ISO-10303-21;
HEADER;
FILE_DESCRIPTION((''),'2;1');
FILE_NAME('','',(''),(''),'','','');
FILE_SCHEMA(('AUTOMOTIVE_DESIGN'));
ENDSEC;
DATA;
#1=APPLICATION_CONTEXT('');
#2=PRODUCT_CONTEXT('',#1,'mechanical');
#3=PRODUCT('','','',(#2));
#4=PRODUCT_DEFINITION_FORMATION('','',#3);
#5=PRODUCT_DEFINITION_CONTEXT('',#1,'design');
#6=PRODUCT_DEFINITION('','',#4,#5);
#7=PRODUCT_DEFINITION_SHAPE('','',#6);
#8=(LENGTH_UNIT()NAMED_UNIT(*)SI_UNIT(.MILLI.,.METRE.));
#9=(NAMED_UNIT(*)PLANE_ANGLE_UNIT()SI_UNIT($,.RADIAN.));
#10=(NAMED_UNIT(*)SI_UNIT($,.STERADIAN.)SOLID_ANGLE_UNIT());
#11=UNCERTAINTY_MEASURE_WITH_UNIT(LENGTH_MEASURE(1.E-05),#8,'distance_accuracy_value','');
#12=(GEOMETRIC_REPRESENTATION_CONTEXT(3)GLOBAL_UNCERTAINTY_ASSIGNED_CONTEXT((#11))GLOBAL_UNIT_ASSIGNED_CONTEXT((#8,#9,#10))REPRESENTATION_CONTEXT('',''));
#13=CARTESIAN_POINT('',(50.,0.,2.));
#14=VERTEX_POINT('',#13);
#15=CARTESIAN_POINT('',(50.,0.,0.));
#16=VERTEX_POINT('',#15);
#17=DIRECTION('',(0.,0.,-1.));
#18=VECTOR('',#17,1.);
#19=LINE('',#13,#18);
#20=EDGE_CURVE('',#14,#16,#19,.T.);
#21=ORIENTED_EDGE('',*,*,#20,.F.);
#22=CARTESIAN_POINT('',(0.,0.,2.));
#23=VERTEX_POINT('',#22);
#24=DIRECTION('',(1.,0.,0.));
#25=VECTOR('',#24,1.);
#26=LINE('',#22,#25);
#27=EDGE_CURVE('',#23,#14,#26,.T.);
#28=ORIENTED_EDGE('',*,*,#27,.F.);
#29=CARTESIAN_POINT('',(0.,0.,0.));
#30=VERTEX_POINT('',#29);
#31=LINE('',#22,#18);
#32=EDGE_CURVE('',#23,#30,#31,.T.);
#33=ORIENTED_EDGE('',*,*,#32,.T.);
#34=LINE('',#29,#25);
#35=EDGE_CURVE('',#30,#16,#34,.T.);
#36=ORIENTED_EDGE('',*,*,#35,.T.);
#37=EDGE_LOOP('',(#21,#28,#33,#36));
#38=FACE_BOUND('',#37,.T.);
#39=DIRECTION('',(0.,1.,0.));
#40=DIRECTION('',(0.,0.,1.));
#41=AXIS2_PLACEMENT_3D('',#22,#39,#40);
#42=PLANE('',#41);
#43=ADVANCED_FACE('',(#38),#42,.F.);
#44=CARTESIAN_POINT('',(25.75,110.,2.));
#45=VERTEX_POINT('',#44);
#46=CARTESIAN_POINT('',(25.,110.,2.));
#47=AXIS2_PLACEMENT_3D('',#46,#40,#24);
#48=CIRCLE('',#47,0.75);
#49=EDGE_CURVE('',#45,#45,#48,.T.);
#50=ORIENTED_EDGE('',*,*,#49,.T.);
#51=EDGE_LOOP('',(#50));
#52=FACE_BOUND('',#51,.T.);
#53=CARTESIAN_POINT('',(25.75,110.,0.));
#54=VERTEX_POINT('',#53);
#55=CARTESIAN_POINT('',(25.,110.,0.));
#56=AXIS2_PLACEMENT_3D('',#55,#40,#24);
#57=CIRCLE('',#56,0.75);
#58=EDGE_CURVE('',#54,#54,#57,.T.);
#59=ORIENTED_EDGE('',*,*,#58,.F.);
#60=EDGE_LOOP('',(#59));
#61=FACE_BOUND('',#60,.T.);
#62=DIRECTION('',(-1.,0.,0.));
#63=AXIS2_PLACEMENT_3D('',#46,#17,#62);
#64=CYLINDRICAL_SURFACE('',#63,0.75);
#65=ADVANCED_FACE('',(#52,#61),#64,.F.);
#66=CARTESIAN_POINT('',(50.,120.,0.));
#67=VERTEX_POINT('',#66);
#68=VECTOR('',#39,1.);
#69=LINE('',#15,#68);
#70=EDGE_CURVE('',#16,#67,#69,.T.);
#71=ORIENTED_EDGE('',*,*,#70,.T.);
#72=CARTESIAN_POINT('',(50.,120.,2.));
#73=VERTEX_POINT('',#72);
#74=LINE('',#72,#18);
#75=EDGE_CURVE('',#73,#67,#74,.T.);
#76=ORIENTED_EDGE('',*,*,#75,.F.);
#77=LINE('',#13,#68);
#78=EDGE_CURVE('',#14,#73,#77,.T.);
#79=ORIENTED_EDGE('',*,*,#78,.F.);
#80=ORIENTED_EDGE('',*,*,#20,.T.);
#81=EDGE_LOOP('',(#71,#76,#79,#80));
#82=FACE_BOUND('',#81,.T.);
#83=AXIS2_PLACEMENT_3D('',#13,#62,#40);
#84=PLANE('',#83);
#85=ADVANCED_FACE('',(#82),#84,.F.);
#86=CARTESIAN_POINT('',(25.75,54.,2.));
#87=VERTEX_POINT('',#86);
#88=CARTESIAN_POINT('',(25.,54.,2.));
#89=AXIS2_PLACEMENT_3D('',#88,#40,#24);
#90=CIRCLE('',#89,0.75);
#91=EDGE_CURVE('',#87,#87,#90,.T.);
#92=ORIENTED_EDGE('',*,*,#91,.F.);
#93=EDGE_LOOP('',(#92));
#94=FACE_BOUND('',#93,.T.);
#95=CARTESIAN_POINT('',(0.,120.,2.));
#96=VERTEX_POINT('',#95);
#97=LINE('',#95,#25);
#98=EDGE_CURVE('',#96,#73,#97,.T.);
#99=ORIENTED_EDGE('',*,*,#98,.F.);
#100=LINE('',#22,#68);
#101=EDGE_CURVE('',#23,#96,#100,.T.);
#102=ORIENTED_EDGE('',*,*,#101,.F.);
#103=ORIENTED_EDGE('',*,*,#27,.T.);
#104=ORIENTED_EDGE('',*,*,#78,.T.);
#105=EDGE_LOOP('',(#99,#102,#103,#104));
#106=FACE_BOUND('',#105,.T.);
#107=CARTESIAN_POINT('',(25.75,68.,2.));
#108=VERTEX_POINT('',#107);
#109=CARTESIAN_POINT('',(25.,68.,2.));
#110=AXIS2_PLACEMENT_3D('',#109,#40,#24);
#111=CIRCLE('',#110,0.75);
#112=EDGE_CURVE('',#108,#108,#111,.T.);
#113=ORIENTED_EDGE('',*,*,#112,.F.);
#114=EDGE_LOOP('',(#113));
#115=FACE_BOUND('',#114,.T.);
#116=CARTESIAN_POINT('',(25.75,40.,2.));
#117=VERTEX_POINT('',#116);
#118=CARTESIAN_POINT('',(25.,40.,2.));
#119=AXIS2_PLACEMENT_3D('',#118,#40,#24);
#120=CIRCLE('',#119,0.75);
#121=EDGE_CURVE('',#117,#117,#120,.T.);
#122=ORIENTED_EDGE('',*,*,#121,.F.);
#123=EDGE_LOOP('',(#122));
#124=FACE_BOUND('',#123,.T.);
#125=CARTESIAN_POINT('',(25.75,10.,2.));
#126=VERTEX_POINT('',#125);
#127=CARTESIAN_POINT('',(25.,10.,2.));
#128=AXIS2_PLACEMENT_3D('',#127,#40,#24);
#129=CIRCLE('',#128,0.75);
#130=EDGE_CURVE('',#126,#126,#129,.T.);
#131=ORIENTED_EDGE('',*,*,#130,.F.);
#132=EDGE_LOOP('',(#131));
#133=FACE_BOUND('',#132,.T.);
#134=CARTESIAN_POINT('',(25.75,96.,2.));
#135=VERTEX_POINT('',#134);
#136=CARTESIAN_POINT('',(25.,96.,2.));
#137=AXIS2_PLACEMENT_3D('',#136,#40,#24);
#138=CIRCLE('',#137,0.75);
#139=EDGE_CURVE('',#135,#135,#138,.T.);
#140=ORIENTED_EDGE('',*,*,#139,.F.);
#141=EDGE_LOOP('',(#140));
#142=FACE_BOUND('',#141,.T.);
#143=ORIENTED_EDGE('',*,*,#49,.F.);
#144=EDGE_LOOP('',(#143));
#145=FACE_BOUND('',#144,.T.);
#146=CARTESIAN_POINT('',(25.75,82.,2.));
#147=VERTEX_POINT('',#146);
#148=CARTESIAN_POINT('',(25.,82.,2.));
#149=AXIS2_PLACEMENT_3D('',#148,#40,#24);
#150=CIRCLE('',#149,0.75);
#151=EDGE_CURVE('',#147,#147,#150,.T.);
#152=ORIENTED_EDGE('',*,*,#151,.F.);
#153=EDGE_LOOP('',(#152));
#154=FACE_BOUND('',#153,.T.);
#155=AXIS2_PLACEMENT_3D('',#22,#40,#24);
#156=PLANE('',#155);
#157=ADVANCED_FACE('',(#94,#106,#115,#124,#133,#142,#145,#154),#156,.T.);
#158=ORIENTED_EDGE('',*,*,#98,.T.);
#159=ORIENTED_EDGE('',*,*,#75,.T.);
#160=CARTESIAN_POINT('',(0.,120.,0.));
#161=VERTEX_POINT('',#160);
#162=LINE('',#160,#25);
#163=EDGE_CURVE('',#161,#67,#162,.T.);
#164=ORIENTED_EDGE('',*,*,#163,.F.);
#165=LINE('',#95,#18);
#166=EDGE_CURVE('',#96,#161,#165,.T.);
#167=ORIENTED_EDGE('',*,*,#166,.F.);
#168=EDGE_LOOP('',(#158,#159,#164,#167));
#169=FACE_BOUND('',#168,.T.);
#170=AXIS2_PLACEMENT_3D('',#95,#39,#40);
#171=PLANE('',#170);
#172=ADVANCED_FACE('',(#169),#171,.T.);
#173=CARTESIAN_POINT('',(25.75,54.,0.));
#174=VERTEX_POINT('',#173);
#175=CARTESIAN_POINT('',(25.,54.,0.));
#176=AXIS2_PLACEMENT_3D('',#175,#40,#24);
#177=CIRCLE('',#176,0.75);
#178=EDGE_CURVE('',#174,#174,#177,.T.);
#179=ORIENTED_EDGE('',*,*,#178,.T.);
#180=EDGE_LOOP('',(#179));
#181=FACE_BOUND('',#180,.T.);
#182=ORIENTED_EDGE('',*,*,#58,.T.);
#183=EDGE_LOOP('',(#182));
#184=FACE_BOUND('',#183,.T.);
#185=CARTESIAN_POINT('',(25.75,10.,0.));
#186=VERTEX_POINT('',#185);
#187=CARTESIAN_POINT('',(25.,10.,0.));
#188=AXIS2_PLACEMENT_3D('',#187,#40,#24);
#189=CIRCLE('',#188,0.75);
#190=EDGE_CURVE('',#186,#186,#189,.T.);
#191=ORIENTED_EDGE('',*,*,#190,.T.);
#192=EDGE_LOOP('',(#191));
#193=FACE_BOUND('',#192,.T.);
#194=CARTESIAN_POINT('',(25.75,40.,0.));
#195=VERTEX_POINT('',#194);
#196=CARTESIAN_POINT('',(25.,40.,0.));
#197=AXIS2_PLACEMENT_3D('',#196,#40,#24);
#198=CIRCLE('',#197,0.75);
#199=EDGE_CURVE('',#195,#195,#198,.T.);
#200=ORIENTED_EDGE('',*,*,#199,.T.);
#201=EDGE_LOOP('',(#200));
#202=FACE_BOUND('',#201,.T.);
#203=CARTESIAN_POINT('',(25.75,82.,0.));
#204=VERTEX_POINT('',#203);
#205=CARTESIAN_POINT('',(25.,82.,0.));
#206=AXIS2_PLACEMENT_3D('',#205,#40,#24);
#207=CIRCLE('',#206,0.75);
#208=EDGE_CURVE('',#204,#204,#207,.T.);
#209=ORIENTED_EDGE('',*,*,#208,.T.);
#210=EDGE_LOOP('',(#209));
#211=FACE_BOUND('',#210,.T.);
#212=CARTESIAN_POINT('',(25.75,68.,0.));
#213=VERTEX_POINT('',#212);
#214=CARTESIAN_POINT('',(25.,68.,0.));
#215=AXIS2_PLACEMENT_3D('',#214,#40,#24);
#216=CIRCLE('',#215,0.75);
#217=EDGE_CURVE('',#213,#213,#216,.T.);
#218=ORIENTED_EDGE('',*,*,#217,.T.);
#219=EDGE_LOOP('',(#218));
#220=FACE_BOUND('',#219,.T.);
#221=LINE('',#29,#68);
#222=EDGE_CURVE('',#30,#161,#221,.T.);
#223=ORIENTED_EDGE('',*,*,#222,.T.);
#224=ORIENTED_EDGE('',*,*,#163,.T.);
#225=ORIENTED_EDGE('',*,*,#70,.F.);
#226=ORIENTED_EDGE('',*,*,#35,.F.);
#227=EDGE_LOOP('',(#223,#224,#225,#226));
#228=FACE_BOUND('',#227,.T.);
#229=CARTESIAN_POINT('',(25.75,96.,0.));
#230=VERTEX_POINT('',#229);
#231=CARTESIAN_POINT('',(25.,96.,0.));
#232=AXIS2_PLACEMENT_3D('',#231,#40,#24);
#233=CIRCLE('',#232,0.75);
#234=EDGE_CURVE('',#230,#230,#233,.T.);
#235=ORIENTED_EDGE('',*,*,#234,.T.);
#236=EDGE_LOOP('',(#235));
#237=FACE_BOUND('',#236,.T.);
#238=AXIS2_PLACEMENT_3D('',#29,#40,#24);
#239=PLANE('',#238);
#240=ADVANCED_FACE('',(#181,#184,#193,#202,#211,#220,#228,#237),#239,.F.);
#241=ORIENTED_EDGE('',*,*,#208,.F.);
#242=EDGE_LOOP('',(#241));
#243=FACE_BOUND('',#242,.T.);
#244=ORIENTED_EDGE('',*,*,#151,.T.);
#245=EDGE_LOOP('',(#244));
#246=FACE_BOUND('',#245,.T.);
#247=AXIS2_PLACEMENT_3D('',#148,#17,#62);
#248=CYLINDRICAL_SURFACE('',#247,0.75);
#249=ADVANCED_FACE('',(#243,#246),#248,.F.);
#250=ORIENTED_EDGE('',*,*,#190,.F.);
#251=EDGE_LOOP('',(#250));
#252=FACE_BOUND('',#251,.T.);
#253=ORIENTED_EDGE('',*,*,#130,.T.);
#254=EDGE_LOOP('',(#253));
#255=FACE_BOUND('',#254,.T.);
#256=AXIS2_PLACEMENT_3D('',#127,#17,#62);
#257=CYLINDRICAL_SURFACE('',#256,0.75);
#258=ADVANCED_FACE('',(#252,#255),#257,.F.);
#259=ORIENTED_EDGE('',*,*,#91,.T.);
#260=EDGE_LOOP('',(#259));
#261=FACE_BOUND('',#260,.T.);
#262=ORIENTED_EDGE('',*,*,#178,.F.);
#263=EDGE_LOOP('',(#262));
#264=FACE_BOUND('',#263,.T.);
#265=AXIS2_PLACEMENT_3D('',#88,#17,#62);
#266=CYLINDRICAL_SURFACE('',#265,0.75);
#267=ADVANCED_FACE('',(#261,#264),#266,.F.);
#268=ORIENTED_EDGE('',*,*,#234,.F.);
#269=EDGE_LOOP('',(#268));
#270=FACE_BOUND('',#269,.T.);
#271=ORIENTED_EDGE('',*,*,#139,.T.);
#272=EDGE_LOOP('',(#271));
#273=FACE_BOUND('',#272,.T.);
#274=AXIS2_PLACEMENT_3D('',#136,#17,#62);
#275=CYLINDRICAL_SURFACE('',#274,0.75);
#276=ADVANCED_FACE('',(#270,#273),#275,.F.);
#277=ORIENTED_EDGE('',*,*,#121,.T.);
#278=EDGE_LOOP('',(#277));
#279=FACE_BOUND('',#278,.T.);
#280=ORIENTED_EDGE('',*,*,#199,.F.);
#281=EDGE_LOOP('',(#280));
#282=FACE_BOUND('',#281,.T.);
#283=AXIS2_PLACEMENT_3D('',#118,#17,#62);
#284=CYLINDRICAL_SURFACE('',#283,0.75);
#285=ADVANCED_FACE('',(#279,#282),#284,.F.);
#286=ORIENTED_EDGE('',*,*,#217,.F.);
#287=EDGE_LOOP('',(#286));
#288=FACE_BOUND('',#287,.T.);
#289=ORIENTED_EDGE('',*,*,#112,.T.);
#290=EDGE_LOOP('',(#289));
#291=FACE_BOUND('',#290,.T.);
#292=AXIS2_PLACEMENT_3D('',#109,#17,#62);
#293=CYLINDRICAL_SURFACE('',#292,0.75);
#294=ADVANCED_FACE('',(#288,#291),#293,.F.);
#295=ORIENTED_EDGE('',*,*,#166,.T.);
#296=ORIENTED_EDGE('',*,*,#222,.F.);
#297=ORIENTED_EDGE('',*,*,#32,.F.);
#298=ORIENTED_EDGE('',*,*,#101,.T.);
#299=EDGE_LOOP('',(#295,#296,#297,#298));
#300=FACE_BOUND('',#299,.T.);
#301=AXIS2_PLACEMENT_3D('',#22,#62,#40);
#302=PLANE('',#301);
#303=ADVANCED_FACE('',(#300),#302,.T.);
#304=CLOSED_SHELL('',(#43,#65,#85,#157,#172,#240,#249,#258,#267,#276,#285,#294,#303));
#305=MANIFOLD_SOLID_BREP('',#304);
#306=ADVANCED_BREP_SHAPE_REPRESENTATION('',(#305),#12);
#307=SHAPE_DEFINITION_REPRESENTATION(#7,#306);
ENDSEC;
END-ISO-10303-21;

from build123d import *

# Parameters (mm, degrees)
SKETCH1_W           = 50
SKETCH1_H           = 120
BOSS_EXTRUDE2_DEPTH = 2
SKETCH2_R           = 0.75
CUT_EXTRUDE2_DEPTH  = 2


with BuildPart() as part:
    # Sketch1 → Boss-Extrude2 (new body)
    with BuildSketch(Plane.XY):
        with Locations((25, 60)):
            Rectangle(SKETCH1_W, SKETCH1_H)
    extrude(amount=BOSS_EXTRUDE2_DEPTH)

    # Sketch2 → Cut-Extrude2 (cut)
    with BuildSketch(Plane.XY):
        with Locations((25, 110)):
            Circle(SKETCH2_R)
        with Locations((25, 96)):
            Circle(SKETCH2_R)
        with Locations((25, 82)):
            Circle(SKETCH2_R)
        with Locations((25, 68)):
            Circle(SKETCH2_R)
        with Locations((25, 54)):
            Circle(SKETCH2_R)
        with Locations((25, 40)):
            Circle(SKETCH2_R)
        with Locations((25, 10)):
            Circle(SKETCH2_R)
    extrude(amount=CUT_EXTRUDE2_DEPTH, mode=Mode.SUBTRACT)


solid = part.part
